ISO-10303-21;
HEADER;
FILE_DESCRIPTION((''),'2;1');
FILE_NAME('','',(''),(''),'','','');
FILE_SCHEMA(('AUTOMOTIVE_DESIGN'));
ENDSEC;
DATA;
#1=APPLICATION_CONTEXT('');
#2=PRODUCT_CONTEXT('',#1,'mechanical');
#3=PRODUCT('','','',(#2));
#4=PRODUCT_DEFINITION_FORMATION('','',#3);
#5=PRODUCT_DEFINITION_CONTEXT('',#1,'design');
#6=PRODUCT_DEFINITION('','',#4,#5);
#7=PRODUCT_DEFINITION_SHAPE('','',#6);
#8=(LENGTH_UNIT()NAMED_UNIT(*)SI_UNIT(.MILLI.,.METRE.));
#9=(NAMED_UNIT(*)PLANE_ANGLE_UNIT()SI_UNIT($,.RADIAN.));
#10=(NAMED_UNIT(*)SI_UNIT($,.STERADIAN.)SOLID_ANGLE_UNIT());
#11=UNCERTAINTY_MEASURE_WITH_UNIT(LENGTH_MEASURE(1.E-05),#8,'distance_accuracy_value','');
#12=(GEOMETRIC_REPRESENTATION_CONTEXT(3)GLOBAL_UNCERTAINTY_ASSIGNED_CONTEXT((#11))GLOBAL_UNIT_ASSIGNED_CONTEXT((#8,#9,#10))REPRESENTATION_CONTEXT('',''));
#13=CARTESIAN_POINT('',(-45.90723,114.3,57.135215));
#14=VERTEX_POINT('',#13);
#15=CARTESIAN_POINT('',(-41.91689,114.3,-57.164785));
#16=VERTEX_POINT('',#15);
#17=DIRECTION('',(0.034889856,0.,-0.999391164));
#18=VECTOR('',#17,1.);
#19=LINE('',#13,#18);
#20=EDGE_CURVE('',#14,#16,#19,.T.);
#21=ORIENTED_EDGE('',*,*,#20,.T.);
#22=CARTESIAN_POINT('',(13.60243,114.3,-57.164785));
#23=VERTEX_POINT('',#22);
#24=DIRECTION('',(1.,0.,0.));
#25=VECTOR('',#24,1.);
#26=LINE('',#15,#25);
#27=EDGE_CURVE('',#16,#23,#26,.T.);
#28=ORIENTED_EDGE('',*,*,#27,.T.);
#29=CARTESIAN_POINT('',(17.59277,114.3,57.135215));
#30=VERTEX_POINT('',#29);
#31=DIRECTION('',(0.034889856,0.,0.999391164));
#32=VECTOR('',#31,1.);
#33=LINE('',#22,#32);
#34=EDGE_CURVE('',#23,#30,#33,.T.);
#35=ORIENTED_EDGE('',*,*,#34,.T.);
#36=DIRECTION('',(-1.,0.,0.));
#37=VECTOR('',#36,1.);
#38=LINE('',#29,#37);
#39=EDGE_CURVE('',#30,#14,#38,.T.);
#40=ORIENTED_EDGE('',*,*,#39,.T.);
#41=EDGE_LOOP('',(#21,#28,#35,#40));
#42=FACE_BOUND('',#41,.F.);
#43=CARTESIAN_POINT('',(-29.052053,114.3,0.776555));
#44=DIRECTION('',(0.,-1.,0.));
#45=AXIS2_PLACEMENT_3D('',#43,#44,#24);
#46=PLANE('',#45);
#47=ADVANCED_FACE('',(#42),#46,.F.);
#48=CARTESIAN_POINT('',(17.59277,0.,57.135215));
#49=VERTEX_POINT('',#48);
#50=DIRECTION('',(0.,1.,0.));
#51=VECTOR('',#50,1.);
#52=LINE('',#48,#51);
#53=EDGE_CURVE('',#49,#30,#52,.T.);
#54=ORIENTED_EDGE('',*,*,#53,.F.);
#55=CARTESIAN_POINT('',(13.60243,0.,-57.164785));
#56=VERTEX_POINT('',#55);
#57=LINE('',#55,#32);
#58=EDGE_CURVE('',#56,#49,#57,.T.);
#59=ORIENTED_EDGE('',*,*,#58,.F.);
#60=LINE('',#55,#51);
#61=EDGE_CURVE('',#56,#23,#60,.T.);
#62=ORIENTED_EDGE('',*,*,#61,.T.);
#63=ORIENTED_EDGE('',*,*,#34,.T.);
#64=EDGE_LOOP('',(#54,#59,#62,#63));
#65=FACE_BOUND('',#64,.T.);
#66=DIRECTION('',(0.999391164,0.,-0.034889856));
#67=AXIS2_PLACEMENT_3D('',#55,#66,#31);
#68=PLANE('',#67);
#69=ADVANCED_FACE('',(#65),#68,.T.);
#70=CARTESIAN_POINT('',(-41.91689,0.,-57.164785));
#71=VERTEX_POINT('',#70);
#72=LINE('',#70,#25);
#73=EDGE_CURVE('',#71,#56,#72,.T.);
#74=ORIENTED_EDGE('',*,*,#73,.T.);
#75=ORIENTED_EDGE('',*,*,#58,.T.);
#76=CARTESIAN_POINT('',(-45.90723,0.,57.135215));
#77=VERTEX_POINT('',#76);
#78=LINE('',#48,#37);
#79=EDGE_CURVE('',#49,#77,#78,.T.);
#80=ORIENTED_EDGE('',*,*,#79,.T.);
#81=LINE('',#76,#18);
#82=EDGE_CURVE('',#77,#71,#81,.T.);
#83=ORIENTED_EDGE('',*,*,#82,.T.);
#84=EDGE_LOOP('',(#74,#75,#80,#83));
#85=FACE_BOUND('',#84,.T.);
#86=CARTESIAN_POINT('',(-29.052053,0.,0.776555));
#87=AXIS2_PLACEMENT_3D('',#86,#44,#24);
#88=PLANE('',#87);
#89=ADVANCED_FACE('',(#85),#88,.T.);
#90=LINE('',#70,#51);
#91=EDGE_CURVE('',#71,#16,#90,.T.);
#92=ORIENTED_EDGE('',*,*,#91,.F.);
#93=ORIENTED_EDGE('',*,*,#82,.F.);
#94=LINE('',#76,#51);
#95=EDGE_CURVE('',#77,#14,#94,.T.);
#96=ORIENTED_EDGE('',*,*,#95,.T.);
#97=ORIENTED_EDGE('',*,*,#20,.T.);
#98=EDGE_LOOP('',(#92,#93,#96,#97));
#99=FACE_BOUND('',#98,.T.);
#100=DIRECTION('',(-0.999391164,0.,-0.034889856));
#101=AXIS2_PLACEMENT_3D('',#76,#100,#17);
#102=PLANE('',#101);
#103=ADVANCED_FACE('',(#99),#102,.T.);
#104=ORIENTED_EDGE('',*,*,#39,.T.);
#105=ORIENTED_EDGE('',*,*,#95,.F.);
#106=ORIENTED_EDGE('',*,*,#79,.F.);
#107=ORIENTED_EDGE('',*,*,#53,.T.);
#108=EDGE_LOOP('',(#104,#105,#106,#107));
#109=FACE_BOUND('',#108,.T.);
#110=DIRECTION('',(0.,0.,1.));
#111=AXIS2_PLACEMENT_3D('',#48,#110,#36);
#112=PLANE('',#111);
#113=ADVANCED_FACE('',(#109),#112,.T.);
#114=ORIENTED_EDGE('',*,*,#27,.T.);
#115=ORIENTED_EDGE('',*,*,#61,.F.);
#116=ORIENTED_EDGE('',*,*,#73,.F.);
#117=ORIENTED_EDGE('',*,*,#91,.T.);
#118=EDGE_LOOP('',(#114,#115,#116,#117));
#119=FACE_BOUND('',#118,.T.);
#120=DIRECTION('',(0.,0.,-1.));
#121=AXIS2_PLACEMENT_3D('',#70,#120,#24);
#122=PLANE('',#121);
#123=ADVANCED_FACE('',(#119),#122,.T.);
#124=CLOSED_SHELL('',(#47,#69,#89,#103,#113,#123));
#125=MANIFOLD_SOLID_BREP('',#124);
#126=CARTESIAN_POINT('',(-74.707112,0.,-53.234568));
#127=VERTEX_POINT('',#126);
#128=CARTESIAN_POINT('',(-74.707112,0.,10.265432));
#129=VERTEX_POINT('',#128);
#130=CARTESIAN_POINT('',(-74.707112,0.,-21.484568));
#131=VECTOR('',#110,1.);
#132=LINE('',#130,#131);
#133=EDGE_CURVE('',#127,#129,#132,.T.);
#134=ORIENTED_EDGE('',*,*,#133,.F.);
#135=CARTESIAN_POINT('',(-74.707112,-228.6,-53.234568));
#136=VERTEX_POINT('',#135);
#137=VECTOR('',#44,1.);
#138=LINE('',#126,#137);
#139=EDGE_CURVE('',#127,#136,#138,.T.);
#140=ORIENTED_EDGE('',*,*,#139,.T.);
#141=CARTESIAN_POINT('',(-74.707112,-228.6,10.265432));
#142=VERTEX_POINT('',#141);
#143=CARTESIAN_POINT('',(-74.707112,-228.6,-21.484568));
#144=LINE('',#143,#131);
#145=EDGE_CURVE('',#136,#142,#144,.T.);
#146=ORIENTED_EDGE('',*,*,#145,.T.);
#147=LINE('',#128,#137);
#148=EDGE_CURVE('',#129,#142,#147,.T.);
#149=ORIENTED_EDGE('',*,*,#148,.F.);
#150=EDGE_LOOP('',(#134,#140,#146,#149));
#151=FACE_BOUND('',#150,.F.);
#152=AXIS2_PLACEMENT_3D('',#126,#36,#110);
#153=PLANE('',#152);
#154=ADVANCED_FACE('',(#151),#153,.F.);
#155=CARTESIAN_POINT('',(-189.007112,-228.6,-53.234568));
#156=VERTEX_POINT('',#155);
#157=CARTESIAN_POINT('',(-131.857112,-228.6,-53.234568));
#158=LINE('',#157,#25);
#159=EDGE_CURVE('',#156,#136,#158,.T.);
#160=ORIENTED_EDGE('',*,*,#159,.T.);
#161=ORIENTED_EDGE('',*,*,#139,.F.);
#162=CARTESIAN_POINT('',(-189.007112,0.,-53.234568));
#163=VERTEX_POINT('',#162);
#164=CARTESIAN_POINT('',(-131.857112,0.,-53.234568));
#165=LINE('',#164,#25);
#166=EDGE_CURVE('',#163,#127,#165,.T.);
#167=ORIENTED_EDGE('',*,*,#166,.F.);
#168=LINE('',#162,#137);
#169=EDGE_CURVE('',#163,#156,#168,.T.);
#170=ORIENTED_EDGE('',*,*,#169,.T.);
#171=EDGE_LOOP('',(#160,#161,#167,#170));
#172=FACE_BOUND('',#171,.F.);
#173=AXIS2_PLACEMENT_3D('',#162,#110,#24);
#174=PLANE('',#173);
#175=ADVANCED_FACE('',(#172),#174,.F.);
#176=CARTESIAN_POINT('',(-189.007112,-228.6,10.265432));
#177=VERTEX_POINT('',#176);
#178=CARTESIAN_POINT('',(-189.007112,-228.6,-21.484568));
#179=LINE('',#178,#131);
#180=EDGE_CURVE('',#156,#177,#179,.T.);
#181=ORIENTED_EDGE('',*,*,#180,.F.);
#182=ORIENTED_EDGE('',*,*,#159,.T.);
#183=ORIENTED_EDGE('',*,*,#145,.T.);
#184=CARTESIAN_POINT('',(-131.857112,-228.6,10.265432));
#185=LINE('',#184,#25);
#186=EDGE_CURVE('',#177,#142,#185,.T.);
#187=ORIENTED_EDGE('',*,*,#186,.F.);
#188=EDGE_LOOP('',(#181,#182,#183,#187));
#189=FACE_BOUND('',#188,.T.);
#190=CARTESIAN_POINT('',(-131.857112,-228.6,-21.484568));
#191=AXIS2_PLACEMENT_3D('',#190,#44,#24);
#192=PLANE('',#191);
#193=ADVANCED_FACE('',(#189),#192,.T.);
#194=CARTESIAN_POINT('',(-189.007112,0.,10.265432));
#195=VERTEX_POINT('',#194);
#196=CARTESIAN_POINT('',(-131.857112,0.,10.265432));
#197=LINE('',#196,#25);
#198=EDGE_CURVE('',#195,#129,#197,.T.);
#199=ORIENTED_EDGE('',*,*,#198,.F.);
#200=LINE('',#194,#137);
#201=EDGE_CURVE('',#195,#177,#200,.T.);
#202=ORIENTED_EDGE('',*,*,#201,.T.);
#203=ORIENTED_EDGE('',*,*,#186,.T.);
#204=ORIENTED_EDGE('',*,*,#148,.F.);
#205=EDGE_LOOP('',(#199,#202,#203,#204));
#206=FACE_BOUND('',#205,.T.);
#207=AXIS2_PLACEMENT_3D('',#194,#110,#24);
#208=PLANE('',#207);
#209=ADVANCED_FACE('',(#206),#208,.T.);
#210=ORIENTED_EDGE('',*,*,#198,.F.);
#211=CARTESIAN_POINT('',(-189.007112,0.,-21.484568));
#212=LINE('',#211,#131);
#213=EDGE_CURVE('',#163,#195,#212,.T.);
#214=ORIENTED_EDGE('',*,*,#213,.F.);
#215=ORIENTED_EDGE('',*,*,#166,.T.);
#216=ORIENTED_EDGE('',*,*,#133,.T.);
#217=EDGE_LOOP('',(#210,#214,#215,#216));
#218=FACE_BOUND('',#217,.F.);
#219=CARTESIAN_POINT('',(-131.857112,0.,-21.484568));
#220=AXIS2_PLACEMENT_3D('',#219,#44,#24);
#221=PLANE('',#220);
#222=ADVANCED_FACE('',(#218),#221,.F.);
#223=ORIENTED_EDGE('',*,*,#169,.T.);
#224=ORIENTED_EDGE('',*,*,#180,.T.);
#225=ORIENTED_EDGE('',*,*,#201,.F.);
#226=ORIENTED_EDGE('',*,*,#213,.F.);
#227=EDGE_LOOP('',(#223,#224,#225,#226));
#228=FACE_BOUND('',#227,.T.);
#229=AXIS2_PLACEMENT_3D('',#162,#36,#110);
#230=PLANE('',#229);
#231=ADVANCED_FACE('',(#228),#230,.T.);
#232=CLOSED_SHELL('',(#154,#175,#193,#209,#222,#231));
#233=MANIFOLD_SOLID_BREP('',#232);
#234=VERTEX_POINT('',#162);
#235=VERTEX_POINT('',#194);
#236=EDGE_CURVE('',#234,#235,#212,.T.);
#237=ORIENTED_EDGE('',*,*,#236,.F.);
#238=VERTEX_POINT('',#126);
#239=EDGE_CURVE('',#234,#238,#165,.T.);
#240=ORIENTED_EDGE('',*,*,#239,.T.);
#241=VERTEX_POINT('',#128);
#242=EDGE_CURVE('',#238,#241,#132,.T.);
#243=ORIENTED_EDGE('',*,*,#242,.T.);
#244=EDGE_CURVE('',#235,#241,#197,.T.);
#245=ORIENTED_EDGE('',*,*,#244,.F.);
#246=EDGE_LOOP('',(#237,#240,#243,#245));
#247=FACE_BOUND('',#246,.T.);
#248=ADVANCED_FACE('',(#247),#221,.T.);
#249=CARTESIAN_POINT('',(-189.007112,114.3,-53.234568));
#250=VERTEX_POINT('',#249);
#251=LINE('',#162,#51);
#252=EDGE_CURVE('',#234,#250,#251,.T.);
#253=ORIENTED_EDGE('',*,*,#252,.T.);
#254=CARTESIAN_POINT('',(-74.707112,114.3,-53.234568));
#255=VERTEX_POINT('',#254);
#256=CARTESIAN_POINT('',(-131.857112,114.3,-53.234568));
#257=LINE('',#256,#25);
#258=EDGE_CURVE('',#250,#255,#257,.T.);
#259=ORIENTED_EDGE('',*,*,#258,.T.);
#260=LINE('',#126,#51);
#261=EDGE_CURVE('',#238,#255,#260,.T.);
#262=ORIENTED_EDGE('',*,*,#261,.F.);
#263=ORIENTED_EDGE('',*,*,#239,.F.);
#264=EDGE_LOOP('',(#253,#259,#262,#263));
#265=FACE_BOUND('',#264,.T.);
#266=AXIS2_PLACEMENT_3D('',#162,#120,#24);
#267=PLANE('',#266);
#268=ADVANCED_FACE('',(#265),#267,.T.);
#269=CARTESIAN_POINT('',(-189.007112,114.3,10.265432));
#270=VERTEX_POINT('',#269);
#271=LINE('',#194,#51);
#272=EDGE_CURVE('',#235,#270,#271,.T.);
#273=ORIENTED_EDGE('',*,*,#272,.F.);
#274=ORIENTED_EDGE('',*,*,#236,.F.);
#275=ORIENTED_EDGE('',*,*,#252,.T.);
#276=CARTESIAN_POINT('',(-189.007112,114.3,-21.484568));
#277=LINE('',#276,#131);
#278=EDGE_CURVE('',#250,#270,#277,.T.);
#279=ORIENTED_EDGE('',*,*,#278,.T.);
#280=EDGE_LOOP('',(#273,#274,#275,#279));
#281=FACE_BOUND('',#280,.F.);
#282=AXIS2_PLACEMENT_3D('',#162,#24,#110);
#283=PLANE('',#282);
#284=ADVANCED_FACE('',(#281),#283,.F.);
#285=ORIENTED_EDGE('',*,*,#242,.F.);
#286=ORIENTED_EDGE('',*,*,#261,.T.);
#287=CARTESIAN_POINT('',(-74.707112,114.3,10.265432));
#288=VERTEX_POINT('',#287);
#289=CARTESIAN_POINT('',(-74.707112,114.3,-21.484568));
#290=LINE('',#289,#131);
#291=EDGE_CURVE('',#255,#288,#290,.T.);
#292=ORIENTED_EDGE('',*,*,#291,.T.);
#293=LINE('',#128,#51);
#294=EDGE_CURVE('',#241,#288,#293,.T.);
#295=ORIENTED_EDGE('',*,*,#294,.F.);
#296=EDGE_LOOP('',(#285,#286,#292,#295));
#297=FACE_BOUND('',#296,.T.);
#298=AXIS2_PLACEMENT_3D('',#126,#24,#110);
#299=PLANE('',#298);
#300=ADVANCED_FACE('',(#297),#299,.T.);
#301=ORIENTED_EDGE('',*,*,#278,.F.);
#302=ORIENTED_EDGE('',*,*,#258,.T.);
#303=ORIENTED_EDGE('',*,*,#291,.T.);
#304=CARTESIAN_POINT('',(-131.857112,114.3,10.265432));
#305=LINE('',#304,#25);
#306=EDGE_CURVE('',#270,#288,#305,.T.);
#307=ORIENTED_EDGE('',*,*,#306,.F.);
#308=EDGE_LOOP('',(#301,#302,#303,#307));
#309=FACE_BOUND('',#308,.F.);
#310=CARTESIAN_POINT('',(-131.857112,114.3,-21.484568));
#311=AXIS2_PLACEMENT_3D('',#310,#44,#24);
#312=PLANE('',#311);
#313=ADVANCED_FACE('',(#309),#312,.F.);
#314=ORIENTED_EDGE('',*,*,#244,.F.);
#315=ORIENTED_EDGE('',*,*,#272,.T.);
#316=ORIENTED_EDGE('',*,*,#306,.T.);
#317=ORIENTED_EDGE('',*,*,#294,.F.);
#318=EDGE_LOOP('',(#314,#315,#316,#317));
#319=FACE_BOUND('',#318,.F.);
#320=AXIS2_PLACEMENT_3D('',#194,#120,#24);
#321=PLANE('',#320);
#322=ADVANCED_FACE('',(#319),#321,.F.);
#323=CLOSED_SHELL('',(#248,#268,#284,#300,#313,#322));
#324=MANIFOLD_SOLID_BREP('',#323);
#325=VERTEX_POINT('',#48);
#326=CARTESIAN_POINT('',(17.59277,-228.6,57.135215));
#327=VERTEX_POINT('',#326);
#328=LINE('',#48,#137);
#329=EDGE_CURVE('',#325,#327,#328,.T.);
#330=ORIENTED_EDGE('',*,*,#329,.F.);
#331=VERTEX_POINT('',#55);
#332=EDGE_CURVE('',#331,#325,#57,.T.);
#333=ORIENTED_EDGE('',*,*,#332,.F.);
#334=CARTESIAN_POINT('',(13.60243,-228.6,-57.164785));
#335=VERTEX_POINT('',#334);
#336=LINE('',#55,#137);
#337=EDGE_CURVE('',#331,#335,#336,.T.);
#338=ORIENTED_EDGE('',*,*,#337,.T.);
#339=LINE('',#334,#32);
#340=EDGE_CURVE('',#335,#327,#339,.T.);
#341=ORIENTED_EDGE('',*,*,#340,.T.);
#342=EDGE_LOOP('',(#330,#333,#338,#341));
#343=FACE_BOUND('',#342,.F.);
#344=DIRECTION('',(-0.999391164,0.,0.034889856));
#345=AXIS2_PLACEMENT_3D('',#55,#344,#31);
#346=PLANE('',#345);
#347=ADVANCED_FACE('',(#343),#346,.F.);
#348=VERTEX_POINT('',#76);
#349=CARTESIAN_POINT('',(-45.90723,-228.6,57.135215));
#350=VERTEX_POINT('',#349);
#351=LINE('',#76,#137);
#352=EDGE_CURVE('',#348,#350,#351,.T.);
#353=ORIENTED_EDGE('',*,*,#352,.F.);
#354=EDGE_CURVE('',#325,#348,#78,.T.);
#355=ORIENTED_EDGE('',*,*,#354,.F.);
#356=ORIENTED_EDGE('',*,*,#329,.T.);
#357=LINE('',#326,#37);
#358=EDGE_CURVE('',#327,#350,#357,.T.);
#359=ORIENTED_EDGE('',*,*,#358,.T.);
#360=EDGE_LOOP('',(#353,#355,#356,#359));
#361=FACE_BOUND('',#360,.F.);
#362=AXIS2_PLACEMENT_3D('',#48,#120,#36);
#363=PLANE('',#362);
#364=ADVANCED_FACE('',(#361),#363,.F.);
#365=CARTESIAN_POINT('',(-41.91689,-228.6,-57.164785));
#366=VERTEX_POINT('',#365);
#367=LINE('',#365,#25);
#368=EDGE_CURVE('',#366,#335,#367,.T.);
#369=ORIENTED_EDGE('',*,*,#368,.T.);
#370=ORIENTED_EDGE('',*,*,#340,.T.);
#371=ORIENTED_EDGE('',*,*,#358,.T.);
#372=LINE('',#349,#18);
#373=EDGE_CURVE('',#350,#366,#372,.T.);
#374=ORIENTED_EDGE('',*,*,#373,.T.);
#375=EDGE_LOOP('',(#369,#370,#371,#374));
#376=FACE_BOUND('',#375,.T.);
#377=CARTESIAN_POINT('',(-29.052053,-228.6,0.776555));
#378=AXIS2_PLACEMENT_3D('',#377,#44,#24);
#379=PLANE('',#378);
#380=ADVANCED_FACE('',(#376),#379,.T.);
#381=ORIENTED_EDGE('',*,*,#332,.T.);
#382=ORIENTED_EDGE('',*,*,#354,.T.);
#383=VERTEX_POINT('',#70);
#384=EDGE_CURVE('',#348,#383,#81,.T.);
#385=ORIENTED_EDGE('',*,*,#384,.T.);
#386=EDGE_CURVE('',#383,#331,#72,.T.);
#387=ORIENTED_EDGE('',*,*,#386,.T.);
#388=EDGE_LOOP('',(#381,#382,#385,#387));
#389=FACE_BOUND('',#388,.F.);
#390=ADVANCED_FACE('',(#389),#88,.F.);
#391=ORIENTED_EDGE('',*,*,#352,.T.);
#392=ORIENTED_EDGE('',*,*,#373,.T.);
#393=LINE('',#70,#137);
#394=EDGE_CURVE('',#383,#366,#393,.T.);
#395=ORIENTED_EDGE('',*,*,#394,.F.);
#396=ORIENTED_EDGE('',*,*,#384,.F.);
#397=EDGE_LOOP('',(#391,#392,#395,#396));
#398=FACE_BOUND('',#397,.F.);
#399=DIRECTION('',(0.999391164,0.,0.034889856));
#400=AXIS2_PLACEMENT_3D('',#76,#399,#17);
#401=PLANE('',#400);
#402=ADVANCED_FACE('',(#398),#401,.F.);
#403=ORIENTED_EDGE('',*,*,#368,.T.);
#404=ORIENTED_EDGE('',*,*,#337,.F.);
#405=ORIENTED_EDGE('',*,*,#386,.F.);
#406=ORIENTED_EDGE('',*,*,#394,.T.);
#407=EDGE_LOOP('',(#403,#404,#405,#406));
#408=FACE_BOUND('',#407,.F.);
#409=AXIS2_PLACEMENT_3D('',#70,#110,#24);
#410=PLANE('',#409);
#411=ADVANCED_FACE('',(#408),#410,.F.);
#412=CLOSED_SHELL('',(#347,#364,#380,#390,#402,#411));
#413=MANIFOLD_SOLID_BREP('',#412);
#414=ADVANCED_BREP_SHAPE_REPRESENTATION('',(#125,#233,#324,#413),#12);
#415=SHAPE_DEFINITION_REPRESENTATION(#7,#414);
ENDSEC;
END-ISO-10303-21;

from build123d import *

# Parameters (mm, degrees)
F1_DEPTH = 228.6
F2_W     = 114.3
F2_H     = 63.5
F3_DEPTH = 228.6
F4_DEPTH = 114.3
F5_DEPTH = 114.3


with BuildPart() as f1:
    # F0 (on Front) → F1 (new body)
    with BuildSketch(Plane.XZ):
        Polygon((-14.1572295701, 57.1352146626), (-45.9072295701, 57.1352146626), (-41.9168895701, -57.1647853374), (-14.1572295701, -57.1647853374), align=None)
        Polygon((17.5927704299, 57.1352146626), (-14.1572295701, 57.1352146626), (-14.1572295701, -57.1647853374), (13.6024304299, -57.1647853374), align=None)
    extrude(amount=F1_DEPTH)


with BuildPart() as f3:
    # F2 (on Front) → F3 (new body)
    with BuildSketch(Plane.XZ):
        with Locations((-131.8571120501, -21.4845678326)):
            Rectangle(F2_W, F2_H)
    extrude(amount=F3_DEPTH)


with BuildPart() as f4:
    # F0 (on Front) → F4 (new body)
    with BuildSketch(Plane.XZ):
        Polygon((-14.1572295701, 57.1352146626), (-45.9072295701, 57.1352146626), (-41.9168895701, -57.1647853374), (-14.1572295701, -57.1647853374), align=None)
        Polygon((17.5927704299, 57.1352146626), (-14.1572295701, 57.1352146626), (-14.1572295701, -57.1647853374), (13.6024304299, -57.1647853374), align=None)
    extrude(amount=-F4_DEPTH)


with BuildPart() as f5:
    # F2 (on Front) → F5 (new body)
    with BuildSketch(Plane.XZ):
        with Locations((-131.8571120501, -21.4845678326)):
            Rectangle(F2_W, F2_H)
    extrude(amount=-F5_DEPTH)


solid = Compound([f1.part, f3.part, f4.part, f5.part])
